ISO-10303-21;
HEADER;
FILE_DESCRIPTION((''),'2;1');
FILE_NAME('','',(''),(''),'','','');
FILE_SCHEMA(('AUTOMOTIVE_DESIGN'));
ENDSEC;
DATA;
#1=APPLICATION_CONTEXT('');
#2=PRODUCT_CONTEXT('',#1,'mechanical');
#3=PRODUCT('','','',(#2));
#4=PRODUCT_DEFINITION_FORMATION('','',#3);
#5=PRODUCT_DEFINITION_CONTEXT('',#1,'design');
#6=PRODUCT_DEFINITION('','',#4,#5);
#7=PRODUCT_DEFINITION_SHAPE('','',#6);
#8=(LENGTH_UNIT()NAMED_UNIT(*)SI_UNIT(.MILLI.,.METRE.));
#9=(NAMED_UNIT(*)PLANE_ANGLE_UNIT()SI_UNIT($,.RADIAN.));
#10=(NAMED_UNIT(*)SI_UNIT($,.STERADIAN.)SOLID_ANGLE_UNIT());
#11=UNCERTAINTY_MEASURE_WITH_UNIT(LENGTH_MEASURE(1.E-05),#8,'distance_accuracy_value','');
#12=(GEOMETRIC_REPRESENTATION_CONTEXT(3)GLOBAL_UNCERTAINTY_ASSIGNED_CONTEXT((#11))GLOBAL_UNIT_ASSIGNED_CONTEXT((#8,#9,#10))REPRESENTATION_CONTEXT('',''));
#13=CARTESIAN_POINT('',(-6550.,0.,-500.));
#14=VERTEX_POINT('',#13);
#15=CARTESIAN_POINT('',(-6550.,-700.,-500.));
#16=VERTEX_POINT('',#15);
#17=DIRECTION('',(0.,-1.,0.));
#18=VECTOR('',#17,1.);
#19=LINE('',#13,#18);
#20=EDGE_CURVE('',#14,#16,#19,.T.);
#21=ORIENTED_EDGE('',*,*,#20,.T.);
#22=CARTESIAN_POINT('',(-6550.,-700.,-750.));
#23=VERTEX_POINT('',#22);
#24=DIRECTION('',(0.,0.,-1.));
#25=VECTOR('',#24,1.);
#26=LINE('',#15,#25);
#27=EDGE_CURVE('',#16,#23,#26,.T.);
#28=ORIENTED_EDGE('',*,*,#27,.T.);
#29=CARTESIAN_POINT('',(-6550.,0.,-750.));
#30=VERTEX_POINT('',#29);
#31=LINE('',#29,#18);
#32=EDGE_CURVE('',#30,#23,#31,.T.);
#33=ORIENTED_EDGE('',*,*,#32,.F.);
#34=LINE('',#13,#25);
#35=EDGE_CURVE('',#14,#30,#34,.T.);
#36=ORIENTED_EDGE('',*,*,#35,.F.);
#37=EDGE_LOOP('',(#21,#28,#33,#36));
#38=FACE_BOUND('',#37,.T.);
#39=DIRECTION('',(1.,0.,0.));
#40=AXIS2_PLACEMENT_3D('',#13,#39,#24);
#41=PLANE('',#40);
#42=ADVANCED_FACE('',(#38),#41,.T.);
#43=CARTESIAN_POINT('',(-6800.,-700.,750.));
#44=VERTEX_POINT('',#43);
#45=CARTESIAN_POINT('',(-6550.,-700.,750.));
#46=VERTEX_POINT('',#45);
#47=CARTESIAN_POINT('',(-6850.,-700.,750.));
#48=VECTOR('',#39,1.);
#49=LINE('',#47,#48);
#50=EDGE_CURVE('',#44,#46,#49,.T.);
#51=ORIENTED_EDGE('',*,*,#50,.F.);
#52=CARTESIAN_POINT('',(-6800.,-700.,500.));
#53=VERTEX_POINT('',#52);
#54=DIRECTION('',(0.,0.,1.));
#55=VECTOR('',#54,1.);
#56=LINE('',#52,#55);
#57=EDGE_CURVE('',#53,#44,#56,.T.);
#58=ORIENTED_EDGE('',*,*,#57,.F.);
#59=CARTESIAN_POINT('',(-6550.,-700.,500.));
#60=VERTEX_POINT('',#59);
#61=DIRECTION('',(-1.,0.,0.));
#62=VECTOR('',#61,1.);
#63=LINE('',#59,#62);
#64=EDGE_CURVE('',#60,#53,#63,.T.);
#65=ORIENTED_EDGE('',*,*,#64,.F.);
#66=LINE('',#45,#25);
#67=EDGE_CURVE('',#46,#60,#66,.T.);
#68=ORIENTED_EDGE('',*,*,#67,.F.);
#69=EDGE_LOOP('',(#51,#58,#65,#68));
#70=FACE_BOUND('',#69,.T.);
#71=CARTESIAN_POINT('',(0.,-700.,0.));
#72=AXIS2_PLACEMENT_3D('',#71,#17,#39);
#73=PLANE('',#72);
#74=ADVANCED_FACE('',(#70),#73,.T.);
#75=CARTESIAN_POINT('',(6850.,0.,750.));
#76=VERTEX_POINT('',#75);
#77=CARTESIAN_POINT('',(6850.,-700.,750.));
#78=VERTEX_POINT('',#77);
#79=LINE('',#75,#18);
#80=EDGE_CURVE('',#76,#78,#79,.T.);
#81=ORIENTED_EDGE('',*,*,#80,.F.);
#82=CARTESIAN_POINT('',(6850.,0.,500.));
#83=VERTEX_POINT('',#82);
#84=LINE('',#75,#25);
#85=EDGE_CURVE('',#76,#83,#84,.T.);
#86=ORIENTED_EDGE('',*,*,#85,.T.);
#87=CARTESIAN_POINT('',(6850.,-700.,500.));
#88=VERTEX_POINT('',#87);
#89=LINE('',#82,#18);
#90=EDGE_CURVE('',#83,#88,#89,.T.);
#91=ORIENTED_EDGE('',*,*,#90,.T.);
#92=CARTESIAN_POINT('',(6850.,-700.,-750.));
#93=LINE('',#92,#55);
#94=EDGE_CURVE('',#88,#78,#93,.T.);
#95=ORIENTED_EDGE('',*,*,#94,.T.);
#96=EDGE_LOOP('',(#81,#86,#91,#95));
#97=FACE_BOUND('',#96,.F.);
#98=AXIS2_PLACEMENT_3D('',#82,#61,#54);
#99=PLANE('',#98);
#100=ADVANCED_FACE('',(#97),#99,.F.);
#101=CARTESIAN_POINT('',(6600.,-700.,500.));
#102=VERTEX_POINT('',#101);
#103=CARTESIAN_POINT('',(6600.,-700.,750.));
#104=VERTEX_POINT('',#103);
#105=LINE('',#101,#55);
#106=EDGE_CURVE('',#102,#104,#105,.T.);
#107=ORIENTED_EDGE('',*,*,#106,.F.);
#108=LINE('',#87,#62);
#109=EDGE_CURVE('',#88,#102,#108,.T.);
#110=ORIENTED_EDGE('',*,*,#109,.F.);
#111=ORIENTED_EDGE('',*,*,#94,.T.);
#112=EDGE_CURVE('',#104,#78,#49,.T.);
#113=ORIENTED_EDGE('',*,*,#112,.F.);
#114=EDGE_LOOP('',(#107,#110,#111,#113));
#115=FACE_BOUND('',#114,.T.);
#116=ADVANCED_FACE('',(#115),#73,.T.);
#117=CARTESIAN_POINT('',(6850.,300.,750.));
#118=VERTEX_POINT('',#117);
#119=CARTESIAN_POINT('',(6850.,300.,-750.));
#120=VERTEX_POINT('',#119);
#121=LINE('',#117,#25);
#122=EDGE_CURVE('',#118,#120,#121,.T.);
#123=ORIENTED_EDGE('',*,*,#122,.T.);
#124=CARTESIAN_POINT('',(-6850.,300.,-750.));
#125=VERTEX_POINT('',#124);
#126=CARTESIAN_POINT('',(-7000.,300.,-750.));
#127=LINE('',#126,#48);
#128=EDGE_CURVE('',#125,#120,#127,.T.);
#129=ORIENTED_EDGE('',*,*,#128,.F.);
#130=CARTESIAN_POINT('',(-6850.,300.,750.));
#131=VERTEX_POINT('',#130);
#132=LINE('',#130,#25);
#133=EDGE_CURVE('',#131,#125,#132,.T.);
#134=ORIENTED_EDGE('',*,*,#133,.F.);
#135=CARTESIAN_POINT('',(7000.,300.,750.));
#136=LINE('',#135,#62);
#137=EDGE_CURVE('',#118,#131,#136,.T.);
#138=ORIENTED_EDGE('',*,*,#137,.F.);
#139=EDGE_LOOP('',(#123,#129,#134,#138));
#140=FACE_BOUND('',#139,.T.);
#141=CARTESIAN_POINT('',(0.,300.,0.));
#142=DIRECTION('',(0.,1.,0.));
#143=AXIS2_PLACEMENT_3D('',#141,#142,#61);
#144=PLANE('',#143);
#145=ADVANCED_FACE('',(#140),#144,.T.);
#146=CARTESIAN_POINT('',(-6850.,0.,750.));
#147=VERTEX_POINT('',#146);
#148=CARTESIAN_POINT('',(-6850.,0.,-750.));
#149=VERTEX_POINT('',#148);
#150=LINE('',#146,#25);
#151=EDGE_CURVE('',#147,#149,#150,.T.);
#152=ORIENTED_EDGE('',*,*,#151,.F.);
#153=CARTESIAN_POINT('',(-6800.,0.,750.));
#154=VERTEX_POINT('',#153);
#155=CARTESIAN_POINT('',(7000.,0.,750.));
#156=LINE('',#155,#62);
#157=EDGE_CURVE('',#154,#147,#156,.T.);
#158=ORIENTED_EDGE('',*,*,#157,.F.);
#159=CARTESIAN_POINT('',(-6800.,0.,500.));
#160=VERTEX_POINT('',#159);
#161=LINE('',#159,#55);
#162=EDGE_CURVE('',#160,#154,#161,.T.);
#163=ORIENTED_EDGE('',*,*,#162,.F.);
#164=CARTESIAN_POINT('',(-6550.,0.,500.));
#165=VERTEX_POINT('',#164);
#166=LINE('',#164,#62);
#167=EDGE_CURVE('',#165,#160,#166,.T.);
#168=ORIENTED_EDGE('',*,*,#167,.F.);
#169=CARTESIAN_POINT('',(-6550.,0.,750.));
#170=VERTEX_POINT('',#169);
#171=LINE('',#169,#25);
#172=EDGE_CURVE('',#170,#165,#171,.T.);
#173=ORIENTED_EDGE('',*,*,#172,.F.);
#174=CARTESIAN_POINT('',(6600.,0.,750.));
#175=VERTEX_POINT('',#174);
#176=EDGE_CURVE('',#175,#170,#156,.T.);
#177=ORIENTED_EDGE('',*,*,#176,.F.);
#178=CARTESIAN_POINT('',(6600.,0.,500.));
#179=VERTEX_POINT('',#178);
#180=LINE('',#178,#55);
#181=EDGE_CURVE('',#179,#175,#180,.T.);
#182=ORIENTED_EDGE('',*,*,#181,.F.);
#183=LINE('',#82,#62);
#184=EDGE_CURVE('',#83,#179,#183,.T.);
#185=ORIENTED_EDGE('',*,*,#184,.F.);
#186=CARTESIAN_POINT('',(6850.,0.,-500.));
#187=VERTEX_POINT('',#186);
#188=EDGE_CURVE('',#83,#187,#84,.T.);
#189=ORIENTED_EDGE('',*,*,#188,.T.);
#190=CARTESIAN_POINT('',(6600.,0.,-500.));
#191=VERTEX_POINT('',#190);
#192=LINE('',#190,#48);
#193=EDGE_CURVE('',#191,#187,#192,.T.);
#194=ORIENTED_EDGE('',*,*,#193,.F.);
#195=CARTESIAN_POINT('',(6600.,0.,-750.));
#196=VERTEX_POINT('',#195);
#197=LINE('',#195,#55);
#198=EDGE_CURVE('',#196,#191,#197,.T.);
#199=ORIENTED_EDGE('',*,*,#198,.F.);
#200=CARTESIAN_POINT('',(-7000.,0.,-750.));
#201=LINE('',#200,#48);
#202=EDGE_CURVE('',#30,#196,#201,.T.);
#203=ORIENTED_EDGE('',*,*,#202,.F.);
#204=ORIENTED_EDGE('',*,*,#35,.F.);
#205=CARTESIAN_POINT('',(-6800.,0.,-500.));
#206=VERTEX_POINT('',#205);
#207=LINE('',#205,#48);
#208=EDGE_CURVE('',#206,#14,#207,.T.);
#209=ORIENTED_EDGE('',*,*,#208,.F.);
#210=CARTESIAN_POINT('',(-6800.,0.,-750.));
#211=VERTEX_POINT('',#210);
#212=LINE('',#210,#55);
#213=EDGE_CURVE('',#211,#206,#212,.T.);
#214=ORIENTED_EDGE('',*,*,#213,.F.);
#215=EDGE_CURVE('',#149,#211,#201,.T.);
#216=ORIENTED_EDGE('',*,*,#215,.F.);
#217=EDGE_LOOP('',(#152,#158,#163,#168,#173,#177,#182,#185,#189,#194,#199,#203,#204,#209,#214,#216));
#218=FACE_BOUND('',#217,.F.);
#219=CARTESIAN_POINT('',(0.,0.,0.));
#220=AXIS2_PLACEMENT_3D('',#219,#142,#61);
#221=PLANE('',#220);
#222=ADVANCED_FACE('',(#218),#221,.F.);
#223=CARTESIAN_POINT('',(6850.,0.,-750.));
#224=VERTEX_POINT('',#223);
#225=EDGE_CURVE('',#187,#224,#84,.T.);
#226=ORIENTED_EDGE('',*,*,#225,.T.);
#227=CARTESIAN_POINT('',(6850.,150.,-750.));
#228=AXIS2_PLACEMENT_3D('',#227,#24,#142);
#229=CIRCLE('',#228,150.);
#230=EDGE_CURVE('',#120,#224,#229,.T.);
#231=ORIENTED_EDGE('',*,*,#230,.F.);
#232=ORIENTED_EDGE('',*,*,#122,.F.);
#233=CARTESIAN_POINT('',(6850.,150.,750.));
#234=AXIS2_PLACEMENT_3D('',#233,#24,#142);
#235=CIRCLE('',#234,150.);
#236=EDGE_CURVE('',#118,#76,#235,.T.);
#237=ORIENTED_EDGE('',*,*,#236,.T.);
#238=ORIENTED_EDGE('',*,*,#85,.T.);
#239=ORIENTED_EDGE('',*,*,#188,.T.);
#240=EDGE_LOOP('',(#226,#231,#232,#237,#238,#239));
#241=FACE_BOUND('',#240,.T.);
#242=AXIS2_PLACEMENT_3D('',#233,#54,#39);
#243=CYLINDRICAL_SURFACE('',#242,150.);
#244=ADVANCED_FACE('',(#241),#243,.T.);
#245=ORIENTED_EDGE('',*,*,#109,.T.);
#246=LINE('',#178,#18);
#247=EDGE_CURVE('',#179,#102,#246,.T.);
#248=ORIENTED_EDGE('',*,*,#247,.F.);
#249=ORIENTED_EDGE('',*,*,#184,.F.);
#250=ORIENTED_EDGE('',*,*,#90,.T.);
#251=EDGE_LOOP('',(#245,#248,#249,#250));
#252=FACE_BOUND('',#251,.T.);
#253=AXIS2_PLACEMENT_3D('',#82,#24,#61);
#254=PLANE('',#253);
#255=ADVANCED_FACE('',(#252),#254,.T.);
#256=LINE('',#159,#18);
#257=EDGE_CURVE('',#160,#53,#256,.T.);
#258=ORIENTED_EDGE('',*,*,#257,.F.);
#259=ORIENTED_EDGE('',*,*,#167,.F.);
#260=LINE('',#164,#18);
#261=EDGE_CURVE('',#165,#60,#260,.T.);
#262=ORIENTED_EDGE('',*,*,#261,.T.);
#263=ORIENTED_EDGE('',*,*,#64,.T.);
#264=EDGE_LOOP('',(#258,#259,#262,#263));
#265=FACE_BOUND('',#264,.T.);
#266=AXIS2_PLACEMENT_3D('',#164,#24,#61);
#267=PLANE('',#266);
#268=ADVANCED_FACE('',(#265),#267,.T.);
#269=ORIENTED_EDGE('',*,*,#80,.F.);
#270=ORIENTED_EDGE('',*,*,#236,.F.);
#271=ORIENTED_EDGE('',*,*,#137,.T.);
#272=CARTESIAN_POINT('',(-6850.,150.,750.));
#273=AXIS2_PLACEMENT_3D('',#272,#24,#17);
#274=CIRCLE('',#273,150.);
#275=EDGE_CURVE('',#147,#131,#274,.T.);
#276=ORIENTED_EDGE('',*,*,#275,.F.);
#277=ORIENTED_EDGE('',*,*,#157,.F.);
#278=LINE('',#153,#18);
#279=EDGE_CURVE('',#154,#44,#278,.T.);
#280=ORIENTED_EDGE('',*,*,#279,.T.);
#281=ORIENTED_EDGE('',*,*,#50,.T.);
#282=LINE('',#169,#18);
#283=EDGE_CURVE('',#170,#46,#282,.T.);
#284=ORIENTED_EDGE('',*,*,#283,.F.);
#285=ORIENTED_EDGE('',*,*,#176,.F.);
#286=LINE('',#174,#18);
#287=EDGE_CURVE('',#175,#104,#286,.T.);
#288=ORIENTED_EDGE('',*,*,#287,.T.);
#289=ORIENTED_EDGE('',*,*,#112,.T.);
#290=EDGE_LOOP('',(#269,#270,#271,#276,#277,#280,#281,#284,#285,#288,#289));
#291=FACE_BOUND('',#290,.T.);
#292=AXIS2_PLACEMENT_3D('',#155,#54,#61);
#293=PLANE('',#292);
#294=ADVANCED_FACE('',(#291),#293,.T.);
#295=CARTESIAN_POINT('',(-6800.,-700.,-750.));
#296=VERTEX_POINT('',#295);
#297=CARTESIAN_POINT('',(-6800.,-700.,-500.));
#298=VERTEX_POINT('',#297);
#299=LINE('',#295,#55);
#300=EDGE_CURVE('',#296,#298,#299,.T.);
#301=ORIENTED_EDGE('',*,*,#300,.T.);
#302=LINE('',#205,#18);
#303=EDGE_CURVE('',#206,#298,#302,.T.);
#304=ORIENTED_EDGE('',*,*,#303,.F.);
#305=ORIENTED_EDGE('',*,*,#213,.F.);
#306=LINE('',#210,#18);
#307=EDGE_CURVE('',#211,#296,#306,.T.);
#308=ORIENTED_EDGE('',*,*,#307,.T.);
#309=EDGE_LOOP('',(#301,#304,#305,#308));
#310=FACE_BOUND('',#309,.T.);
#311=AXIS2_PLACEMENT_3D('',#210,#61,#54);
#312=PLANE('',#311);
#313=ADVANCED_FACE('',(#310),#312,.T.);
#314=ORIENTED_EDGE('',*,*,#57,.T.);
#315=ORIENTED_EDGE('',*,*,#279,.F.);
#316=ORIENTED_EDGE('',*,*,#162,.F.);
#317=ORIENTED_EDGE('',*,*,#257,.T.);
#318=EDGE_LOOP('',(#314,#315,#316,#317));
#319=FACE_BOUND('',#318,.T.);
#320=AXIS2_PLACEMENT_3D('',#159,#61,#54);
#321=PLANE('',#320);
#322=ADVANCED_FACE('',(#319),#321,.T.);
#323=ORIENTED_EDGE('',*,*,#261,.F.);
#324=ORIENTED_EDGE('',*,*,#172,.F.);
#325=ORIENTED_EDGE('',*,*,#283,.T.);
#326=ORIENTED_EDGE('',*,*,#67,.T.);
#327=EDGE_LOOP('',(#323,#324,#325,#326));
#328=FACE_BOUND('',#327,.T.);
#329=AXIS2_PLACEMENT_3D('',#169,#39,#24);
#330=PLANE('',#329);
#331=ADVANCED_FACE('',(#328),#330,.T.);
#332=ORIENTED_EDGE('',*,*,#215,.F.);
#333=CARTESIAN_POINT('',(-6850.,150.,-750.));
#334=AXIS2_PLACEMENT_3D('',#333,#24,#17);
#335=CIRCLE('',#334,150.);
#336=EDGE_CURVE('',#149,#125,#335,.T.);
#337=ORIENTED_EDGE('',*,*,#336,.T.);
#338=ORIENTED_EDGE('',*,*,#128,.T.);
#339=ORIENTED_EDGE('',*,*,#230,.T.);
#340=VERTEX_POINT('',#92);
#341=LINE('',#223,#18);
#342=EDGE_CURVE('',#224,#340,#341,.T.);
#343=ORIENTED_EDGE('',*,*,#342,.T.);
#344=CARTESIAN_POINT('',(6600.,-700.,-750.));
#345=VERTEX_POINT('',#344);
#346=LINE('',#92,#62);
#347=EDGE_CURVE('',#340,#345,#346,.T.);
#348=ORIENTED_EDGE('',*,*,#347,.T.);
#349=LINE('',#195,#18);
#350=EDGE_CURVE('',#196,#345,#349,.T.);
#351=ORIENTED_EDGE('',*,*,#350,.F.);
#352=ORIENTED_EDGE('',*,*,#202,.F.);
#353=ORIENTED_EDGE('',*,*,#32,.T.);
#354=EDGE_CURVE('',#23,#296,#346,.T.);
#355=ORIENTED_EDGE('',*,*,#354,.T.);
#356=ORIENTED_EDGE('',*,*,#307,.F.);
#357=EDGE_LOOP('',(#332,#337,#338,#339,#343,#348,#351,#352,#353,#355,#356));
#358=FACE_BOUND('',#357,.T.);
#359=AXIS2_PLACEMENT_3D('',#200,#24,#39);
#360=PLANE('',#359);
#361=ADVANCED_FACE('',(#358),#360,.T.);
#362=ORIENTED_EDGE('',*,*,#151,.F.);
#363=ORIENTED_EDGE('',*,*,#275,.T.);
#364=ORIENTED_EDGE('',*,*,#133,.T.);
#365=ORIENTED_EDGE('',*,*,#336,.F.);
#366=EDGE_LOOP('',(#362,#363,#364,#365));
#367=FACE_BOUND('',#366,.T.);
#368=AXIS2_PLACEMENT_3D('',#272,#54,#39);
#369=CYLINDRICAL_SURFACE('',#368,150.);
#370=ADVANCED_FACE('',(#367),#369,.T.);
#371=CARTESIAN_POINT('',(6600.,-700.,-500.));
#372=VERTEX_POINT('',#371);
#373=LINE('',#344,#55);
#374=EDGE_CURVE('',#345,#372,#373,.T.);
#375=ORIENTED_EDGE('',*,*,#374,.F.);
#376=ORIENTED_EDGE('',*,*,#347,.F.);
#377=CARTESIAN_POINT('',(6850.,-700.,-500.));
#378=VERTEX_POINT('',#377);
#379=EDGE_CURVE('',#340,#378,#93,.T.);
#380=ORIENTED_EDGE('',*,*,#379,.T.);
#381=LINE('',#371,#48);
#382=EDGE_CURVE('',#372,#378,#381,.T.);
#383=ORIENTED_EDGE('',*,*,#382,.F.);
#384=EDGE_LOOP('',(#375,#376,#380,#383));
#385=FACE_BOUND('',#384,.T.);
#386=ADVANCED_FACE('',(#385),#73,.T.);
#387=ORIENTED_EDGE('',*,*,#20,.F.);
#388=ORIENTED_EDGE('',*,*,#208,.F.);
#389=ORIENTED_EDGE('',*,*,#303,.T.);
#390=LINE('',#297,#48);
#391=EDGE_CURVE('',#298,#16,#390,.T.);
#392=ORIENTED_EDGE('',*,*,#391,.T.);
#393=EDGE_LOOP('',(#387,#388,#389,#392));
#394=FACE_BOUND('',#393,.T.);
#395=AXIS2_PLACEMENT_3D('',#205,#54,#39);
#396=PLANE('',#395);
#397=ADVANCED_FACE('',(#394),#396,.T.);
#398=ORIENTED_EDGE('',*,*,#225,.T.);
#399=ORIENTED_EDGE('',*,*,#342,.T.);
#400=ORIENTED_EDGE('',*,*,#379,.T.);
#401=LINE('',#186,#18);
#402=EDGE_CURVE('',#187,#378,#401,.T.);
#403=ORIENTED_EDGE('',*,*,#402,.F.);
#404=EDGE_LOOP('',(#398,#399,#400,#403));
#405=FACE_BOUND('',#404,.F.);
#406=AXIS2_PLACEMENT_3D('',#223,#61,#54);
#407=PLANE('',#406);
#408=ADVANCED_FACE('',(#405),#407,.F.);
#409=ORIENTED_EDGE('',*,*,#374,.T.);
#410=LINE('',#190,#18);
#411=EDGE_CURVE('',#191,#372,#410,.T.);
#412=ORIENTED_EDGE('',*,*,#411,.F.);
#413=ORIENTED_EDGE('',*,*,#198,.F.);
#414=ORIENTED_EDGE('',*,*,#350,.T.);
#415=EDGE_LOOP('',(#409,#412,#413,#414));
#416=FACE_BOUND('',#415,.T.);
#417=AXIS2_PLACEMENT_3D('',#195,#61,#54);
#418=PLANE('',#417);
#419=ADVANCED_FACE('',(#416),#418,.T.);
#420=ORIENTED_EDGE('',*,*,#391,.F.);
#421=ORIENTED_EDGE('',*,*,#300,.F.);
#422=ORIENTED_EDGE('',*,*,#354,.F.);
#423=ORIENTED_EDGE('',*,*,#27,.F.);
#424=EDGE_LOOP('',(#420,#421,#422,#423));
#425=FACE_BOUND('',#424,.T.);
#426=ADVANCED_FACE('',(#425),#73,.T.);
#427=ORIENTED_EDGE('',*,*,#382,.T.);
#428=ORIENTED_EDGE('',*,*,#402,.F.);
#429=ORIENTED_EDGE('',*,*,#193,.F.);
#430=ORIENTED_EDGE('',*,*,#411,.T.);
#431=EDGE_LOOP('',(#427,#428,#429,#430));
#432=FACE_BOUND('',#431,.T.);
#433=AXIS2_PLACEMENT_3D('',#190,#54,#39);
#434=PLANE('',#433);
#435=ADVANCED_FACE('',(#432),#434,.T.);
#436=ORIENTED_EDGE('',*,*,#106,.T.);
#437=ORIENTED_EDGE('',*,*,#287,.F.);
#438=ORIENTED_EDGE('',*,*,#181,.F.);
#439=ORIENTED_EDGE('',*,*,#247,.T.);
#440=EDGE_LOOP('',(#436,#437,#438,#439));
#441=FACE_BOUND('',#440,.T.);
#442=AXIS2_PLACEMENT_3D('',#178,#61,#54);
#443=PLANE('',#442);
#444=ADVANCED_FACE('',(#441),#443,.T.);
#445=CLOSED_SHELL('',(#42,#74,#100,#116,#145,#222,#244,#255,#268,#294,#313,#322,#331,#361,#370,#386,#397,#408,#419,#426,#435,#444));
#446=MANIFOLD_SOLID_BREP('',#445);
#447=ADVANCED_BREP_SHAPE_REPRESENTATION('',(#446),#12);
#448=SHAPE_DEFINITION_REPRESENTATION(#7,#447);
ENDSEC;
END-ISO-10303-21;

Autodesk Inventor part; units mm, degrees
ref_plane "YZ Plane" through (0, 0, 0) normal (1, 0, 0) x (0, 1, 0)
ref_plane "XZ Plane" through (0, 0, 0) normal (0, 1, 0) x (-1, 0, 0)
ref_plane "XY Plane" through (0, 0, 0) normal (0, 0, 1) x (1, 0, 0)
sketch "Boceto1" plane through (0, 0, 0) normal (0, 1, 0) x (-1, 0, 0)
  line L0 (7000, -750) -> (-7000, -750)
  line L1 (-7000, -750) -> (-7000, 750)
  line L2 (-7000, 750) -> (7000, 750)
  line L3 (7000, 750) -> (7000, -750)
  line L4 (7000, -750) -> (-7000, 750) construction
  line L5 (-7000, -750) -> (7000, 750) construction
  point P0 (0, 0)
  dimension "d0" = 14000
  dimension "d1" = 1500
extrude "Extrusión1" add sketch "Boceto1" along normal blind 300
sketch "Boceto2" plane through (-7000, 0, 750) normal (0, 0, 1) x (1, 0, 0)
  line L0 (14000, 0) -> (14000, 300) projected
  line L1 (0, 300) -> (14000, 300) projected
  line L2 (0, 0) -> (14000, 0) projected
  line L3 (0, 0) -> (0, 300) projected
  circle A0 centre (13850, 150) radius 150
  circle A1 centre (150, 150) radius 150
  line L4 (13850, 300) -> (14000, 300)
  line L5 (14000, 0) -> (13850, 0)
  line L6 (150, 0) -> (0, 0)
  line L7 (0, 300) -> (150, 300)
  line L8 (0, 0) -> (0, 300)
  line L9 (14000, 0) -> (14000, 300)
  point P0 (7000, 0)
  point P1 (14000, 150)
  point P2 (0, 150)
extrude "Extrusión2" cut sketch "Boceto2" against normal through all contours L2 A0 L0 | A0 L1 L0 | L2 L3 A1 | A1 L3 L1
sketch "Boceto3" plane through (0, 0, 0) normal (0, -1, 0) x (1, 0, 0)
  line L0 (-6850, 750) -> (6850, 750) projected
  line L1 (6850, -750) -> (6850, 750) projected
  line L2 (6850, -750) -> (-6850, -750) projected
  line L3 (-6850, -750) -> (-6850, 750) projected
  line L4 (6850, 750) -> (6850, 500)
  line L5 (6850, 500) -> (6600, 500)
  line L6 (6600, 500) -> (6600, 750)
  line L7 (6600, 750) -> (6850, 750)
  line L8 (6850, -500) -> (6850, -750)
  line L9 (6850, -750) -> (6600, -750)
  line L10 (6600, -750) -> (6600, -500)
  line L11 (6600, -500) -> (6850, -500)
  line L12 (-6550, 750) -> (-6550, 500)
  line L13 (-6550, 500) -> (-6800, 500)
  line L14 (-6800, 500) -> (-6800, 750)
  line L15 (-6800, 750) -> (-6550, 750)
  line L16 (-6550, -500) -> (-6550, -750)
  line L17 (-6550, -750) -> (-6800, -750)
  line L18 (-6800, -750) -> (-6800, -500)
  line L19 (-6800, -500) -> (-6550, -500)
  point P0 (0, 0)
  point P1 (6600, 750)
  point P2 (6600, -750)
  point P3 (-6800, 750)
  point P4 (-6800, -750)
  point P5 (-6550, -750)
  dimension "d6" = 250
  dimension "d7" = 250
  dimension "d10" = 1250
  dimension "d13" = 13400
extrude "Extrusión3" add sketch "Boceto3" along normal blind 700 contours L0 L12 L13 L14 | L18 L19 L16 L2 | L0 L1 L5 L6 | L10 L11 L1 L2
equation "\"d0\" = L"
equation "\"L\" = 14000"
properties part number "SoporteBanda"
